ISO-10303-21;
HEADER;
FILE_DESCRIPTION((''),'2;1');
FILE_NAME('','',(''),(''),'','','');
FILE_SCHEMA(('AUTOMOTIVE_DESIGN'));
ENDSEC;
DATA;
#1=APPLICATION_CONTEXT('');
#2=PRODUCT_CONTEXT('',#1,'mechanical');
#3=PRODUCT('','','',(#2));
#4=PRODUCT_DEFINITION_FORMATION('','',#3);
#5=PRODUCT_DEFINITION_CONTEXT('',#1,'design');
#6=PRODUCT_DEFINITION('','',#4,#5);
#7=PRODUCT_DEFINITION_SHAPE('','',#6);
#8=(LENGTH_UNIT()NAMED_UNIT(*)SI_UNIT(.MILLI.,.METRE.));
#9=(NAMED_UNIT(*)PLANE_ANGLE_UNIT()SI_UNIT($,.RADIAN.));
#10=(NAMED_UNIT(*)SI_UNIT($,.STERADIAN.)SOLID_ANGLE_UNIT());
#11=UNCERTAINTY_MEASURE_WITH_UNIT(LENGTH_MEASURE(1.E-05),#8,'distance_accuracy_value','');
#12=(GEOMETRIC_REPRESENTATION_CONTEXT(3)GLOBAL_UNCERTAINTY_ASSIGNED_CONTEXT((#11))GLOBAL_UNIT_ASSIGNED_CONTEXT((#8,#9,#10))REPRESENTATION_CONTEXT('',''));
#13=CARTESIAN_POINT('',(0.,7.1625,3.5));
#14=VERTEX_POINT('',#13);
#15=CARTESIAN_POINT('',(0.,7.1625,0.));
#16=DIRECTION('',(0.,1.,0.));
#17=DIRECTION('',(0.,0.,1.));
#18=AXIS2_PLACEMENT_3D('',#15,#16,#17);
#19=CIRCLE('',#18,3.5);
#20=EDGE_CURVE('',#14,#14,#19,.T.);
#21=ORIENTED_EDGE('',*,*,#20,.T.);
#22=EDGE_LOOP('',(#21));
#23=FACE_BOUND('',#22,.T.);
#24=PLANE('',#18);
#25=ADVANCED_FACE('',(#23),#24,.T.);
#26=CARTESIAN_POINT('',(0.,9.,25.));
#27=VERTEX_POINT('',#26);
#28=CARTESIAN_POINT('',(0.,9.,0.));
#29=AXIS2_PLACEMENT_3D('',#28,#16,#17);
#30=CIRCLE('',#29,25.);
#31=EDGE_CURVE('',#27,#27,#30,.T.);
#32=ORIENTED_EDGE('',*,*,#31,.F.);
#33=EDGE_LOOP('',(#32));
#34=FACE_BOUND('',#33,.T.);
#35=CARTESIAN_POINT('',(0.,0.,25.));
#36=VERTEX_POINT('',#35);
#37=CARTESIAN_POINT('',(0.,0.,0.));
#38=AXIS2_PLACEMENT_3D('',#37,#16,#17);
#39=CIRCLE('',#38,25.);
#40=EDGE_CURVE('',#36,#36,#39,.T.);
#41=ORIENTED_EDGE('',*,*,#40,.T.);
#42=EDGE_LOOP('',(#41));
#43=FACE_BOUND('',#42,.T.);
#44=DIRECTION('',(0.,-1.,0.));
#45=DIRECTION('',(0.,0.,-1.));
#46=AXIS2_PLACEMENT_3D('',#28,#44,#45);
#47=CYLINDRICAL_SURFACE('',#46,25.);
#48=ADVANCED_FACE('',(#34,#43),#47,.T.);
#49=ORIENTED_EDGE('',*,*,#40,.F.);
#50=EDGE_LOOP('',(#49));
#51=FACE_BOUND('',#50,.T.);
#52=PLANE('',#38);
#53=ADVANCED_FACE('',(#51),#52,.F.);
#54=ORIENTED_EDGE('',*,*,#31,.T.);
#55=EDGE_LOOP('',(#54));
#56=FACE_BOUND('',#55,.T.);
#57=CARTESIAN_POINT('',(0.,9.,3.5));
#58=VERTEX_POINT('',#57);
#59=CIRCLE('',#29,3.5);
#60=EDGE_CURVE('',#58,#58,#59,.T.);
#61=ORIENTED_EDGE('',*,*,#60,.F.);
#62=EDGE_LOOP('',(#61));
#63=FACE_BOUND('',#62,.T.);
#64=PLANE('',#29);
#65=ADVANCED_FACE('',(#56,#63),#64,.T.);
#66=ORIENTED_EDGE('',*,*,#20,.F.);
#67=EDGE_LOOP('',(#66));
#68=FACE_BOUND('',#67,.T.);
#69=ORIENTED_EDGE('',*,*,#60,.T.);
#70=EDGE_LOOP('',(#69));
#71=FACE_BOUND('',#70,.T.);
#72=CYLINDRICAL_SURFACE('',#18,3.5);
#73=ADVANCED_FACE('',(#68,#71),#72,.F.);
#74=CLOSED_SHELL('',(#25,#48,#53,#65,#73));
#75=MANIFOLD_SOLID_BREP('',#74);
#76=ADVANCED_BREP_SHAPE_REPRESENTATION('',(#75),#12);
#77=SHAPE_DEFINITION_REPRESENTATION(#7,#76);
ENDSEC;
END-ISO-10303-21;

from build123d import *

# Parameters (mm, degrees)
CROQUIS1_R              = 25
SALIENTE_EXTRUIR1_DEPTH = 9
CROQUIS2_R              = 3.5
CORTAR_EXTRUIR1_DEPTH   = 1.8375


with BuildPart() as part:
    # Croquis1 → Saliente-Extruir1 (new body)
    with BuildSketch(Plane(origin=(0, 0, 0), x_dir=(1, 0, 0), z_dir=(0, 1, 0))):
        with Locations(Location((0, 0, 0), (0, 0, 270))):
            Circle(CROQUIS1_R)
    extrude(amount=SALIENTE_EXTRUIR1_DEPTH)

    # Croquis2 → Cortar-Extruir1 (cut)
    with BuildSketch(Plane(origin=(0, 9, 0), x_dir=(1, 0, 0), z_dir=(0, 1, 0))):
        with Locations(Location((0, 0, 0), (0, 0, 270))):
            Circle(CROQUIS2_R)
    extrude(amount=-CORTAR_EXTRUIR1_DEPTH, mode=Mode.SUBTRACT)


solid = part.part
